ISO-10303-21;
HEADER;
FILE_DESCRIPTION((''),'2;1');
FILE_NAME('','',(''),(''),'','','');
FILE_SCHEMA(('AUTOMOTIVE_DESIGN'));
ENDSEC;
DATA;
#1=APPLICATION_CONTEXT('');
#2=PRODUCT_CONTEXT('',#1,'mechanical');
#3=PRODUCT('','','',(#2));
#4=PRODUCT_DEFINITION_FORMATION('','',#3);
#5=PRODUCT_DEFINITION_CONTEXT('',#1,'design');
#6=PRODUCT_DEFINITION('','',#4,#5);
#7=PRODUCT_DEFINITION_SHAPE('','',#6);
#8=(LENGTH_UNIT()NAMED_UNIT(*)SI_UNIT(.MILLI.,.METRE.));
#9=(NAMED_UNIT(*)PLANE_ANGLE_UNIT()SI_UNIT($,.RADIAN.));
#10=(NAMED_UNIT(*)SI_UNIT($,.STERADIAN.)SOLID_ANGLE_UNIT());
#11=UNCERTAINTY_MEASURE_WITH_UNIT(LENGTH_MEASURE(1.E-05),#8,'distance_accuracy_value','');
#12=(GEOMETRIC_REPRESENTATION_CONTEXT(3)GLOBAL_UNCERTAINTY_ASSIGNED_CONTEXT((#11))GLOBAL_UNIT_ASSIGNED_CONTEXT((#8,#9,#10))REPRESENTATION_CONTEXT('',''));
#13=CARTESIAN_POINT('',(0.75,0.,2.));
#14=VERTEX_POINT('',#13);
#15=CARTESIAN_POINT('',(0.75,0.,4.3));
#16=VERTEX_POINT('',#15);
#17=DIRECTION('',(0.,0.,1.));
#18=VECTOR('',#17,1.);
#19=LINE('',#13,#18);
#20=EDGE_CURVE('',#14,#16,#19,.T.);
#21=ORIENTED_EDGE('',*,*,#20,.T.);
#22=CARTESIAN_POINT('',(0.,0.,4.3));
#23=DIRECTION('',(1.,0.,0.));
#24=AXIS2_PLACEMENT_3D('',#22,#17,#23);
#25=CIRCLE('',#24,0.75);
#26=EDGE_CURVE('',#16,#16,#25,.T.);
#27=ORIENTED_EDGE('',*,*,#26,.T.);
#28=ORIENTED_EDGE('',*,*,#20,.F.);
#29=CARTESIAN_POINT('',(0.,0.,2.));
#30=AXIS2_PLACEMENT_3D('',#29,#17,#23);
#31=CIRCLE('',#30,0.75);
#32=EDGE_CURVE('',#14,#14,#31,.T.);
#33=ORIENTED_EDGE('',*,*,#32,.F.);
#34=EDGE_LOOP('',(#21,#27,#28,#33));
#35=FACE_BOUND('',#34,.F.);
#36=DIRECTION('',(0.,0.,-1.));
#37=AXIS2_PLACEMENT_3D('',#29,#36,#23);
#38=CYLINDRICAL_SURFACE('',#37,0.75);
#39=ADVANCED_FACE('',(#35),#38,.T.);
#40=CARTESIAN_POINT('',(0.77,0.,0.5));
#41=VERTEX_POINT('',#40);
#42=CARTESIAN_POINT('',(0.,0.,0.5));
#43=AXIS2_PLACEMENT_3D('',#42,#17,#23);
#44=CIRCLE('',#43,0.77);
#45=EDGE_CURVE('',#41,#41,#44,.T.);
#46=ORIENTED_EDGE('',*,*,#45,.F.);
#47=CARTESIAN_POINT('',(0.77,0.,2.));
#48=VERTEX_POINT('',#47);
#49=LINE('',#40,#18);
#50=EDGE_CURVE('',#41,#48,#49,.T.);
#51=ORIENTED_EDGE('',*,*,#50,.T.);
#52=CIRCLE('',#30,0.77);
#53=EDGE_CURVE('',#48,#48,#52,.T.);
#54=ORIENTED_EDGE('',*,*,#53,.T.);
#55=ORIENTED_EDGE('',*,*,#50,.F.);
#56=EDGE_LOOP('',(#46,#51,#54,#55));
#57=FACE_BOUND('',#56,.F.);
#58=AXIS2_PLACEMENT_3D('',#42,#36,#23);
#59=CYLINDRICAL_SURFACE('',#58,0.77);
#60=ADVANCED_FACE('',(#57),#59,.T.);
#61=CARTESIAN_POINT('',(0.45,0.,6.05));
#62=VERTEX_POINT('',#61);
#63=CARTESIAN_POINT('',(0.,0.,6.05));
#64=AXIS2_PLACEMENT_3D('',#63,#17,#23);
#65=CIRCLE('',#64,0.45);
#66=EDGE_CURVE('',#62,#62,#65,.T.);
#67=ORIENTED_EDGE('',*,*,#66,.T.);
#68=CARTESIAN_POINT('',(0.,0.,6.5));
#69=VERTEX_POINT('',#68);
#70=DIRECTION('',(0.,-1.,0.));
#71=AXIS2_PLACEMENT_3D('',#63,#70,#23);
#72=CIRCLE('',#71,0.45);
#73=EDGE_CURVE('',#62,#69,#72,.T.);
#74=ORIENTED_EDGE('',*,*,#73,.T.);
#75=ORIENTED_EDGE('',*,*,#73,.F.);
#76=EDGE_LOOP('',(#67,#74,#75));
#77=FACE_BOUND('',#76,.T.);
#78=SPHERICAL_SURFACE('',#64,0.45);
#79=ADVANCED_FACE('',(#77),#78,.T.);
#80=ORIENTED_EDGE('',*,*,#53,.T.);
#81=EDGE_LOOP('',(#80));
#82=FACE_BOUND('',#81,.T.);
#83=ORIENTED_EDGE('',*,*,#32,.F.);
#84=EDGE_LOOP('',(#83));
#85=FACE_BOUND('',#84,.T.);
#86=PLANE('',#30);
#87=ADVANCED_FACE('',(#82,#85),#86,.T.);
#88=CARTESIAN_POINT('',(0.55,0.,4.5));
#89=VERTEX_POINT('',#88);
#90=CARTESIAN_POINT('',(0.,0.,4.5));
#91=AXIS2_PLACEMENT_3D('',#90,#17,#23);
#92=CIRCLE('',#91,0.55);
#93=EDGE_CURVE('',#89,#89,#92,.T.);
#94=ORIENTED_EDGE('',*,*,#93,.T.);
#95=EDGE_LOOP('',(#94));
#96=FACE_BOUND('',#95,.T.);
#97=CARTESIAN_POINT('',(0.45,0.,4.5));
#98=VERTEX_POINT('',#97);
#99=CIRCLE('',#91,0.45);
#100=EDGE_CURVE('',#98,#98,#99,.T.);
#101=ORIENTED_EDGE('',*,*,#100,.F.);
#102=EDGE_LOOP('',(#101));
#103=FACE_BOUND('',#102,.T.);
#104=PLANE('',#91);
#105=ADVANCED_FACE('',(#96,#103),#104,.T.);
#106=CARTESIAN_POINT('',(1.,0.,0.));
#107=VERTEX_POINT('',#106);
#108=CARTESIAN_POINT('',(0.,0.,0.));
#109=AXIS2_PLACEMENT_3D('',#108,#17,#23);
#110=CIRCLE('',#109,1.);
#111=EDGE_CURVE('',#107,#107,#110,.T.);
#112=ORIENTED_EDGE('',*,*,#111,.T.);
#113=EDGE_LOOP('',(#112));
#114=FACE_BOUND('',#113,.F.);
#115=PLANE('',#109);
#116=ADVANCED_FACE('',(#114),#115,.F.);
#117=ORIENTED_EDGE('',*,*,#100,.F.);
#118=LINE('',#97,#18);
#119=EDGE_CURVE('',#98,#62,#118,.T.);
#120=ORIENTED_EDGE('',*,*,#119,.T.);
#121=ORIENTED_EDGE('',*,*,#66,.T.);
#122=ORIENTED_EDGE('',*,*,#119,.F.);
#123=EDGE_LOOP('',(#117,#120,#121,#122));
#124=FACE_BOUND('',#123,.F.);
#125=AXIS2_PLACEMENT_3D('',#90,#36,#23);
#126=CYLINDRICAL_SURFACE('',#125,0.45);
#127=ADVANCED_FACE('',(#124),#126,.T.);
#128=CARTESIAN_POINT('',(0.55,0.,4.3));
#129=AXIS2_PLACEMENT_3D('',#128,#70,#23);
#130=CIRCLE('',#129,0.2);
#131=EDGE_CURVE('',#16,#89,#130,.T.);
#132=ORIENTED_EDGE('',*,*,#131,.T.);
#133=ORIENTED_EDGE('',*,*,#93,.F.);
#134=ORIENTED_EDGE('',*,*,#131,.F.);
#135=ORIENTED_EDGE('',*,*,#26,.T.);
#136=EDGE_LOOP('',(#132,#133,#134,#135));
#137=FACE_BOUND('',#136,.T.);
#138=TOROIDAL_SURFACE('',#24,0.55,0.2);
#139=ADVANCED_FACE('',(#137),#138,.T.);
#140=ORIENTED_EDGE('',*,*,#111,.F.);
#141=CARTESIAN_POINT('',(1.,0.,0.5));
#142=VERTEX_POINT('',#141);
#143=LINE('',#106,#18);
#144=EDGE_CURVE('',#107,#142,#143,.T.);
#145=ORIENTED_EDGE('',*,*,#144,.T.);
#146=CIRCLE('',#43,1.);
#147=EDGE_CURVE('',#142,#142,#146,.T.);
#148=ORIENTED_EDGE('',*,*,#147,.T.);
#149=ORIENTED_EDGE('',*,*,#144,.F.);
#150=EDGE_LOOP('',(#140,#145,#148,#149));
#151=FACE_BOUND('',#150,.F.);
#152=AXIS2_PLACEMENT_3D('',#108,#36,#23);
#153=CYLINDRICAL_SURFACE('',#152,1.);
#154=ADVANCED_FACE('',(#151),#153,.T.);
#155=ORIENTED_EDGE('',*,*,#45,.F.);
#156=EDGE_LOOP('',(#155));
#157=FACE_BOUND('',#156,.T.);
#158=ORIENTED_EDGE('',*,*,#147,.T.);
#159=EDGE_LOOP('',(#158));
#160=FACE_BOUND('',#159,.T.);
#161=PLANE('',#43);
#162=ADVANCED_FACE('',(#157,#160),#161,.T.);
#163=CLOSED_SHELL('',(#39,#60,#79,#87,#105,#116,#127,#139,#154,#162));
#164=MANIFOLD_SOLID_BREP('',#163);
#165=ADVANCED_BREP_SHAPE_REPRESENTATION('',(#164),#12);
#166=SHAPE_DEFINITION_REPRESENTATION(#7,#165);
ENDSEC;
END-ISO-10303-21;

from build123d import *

# Parameters (mm, degrees)
SKETCH_R     = 1
PAD_DEPTH    = 0.5
SKETCH002_R  = 0.77
PAD001_DEPTH = 1.5
SKETCH003_R  = 0.75
PAD002_DEPTH = 2.5
FILLET_R     = 0.2
SKETCH004_R  = 0.45
PAD003_DEPTH = 2
FILLET001_R  = 0.45


with BuildPart() as part:
    # Sketch → Pad (new body)
    with BuildSketch(Plane.XY):
        Circle(SKETCH_R)
    extrude(amount=PAD_DEPTH)

    # Sketch002 (on Face3 of Pad) → Pad001 (join)
    with BuildSketch(Plane.XY.offset(0.5)):
        Circle(SKETCH002_R)
    extrude(amount=PAD001_DEPTH)

    # Sketch003 (on Face5 of Pad001) → Pad002 (join)
    with BuildSketch(Plane.XY.offset(2)):
        Circle(SKETCH003_R)
    extrude(amount=PAD002_DEPTH)

    # Fillet
    fillet_edges = [part.edges().sort_by_distance(p)[0] for p in [
        (-0.75, 0, 4.5),
    ]]
    fillet(fillet_edges, radius=FILLET_R)

    # Sketch004 (on Face4 of Fillet) → Pad003 (join)
    with BuildSketch(Plane.XY.offset(4.5)):
        Circle(SKETCH004_R)
    extrude(amount=PAD003_DEPTH)

    # Fillet001
    fillet001_edges = [part.edges().sort_by_distance(p)[0] for p in [
        (-0.45, 0, 6.5),
    ]]
    fillet(fillet001_edges, radius=FILLET001_R)


solid = part.part
